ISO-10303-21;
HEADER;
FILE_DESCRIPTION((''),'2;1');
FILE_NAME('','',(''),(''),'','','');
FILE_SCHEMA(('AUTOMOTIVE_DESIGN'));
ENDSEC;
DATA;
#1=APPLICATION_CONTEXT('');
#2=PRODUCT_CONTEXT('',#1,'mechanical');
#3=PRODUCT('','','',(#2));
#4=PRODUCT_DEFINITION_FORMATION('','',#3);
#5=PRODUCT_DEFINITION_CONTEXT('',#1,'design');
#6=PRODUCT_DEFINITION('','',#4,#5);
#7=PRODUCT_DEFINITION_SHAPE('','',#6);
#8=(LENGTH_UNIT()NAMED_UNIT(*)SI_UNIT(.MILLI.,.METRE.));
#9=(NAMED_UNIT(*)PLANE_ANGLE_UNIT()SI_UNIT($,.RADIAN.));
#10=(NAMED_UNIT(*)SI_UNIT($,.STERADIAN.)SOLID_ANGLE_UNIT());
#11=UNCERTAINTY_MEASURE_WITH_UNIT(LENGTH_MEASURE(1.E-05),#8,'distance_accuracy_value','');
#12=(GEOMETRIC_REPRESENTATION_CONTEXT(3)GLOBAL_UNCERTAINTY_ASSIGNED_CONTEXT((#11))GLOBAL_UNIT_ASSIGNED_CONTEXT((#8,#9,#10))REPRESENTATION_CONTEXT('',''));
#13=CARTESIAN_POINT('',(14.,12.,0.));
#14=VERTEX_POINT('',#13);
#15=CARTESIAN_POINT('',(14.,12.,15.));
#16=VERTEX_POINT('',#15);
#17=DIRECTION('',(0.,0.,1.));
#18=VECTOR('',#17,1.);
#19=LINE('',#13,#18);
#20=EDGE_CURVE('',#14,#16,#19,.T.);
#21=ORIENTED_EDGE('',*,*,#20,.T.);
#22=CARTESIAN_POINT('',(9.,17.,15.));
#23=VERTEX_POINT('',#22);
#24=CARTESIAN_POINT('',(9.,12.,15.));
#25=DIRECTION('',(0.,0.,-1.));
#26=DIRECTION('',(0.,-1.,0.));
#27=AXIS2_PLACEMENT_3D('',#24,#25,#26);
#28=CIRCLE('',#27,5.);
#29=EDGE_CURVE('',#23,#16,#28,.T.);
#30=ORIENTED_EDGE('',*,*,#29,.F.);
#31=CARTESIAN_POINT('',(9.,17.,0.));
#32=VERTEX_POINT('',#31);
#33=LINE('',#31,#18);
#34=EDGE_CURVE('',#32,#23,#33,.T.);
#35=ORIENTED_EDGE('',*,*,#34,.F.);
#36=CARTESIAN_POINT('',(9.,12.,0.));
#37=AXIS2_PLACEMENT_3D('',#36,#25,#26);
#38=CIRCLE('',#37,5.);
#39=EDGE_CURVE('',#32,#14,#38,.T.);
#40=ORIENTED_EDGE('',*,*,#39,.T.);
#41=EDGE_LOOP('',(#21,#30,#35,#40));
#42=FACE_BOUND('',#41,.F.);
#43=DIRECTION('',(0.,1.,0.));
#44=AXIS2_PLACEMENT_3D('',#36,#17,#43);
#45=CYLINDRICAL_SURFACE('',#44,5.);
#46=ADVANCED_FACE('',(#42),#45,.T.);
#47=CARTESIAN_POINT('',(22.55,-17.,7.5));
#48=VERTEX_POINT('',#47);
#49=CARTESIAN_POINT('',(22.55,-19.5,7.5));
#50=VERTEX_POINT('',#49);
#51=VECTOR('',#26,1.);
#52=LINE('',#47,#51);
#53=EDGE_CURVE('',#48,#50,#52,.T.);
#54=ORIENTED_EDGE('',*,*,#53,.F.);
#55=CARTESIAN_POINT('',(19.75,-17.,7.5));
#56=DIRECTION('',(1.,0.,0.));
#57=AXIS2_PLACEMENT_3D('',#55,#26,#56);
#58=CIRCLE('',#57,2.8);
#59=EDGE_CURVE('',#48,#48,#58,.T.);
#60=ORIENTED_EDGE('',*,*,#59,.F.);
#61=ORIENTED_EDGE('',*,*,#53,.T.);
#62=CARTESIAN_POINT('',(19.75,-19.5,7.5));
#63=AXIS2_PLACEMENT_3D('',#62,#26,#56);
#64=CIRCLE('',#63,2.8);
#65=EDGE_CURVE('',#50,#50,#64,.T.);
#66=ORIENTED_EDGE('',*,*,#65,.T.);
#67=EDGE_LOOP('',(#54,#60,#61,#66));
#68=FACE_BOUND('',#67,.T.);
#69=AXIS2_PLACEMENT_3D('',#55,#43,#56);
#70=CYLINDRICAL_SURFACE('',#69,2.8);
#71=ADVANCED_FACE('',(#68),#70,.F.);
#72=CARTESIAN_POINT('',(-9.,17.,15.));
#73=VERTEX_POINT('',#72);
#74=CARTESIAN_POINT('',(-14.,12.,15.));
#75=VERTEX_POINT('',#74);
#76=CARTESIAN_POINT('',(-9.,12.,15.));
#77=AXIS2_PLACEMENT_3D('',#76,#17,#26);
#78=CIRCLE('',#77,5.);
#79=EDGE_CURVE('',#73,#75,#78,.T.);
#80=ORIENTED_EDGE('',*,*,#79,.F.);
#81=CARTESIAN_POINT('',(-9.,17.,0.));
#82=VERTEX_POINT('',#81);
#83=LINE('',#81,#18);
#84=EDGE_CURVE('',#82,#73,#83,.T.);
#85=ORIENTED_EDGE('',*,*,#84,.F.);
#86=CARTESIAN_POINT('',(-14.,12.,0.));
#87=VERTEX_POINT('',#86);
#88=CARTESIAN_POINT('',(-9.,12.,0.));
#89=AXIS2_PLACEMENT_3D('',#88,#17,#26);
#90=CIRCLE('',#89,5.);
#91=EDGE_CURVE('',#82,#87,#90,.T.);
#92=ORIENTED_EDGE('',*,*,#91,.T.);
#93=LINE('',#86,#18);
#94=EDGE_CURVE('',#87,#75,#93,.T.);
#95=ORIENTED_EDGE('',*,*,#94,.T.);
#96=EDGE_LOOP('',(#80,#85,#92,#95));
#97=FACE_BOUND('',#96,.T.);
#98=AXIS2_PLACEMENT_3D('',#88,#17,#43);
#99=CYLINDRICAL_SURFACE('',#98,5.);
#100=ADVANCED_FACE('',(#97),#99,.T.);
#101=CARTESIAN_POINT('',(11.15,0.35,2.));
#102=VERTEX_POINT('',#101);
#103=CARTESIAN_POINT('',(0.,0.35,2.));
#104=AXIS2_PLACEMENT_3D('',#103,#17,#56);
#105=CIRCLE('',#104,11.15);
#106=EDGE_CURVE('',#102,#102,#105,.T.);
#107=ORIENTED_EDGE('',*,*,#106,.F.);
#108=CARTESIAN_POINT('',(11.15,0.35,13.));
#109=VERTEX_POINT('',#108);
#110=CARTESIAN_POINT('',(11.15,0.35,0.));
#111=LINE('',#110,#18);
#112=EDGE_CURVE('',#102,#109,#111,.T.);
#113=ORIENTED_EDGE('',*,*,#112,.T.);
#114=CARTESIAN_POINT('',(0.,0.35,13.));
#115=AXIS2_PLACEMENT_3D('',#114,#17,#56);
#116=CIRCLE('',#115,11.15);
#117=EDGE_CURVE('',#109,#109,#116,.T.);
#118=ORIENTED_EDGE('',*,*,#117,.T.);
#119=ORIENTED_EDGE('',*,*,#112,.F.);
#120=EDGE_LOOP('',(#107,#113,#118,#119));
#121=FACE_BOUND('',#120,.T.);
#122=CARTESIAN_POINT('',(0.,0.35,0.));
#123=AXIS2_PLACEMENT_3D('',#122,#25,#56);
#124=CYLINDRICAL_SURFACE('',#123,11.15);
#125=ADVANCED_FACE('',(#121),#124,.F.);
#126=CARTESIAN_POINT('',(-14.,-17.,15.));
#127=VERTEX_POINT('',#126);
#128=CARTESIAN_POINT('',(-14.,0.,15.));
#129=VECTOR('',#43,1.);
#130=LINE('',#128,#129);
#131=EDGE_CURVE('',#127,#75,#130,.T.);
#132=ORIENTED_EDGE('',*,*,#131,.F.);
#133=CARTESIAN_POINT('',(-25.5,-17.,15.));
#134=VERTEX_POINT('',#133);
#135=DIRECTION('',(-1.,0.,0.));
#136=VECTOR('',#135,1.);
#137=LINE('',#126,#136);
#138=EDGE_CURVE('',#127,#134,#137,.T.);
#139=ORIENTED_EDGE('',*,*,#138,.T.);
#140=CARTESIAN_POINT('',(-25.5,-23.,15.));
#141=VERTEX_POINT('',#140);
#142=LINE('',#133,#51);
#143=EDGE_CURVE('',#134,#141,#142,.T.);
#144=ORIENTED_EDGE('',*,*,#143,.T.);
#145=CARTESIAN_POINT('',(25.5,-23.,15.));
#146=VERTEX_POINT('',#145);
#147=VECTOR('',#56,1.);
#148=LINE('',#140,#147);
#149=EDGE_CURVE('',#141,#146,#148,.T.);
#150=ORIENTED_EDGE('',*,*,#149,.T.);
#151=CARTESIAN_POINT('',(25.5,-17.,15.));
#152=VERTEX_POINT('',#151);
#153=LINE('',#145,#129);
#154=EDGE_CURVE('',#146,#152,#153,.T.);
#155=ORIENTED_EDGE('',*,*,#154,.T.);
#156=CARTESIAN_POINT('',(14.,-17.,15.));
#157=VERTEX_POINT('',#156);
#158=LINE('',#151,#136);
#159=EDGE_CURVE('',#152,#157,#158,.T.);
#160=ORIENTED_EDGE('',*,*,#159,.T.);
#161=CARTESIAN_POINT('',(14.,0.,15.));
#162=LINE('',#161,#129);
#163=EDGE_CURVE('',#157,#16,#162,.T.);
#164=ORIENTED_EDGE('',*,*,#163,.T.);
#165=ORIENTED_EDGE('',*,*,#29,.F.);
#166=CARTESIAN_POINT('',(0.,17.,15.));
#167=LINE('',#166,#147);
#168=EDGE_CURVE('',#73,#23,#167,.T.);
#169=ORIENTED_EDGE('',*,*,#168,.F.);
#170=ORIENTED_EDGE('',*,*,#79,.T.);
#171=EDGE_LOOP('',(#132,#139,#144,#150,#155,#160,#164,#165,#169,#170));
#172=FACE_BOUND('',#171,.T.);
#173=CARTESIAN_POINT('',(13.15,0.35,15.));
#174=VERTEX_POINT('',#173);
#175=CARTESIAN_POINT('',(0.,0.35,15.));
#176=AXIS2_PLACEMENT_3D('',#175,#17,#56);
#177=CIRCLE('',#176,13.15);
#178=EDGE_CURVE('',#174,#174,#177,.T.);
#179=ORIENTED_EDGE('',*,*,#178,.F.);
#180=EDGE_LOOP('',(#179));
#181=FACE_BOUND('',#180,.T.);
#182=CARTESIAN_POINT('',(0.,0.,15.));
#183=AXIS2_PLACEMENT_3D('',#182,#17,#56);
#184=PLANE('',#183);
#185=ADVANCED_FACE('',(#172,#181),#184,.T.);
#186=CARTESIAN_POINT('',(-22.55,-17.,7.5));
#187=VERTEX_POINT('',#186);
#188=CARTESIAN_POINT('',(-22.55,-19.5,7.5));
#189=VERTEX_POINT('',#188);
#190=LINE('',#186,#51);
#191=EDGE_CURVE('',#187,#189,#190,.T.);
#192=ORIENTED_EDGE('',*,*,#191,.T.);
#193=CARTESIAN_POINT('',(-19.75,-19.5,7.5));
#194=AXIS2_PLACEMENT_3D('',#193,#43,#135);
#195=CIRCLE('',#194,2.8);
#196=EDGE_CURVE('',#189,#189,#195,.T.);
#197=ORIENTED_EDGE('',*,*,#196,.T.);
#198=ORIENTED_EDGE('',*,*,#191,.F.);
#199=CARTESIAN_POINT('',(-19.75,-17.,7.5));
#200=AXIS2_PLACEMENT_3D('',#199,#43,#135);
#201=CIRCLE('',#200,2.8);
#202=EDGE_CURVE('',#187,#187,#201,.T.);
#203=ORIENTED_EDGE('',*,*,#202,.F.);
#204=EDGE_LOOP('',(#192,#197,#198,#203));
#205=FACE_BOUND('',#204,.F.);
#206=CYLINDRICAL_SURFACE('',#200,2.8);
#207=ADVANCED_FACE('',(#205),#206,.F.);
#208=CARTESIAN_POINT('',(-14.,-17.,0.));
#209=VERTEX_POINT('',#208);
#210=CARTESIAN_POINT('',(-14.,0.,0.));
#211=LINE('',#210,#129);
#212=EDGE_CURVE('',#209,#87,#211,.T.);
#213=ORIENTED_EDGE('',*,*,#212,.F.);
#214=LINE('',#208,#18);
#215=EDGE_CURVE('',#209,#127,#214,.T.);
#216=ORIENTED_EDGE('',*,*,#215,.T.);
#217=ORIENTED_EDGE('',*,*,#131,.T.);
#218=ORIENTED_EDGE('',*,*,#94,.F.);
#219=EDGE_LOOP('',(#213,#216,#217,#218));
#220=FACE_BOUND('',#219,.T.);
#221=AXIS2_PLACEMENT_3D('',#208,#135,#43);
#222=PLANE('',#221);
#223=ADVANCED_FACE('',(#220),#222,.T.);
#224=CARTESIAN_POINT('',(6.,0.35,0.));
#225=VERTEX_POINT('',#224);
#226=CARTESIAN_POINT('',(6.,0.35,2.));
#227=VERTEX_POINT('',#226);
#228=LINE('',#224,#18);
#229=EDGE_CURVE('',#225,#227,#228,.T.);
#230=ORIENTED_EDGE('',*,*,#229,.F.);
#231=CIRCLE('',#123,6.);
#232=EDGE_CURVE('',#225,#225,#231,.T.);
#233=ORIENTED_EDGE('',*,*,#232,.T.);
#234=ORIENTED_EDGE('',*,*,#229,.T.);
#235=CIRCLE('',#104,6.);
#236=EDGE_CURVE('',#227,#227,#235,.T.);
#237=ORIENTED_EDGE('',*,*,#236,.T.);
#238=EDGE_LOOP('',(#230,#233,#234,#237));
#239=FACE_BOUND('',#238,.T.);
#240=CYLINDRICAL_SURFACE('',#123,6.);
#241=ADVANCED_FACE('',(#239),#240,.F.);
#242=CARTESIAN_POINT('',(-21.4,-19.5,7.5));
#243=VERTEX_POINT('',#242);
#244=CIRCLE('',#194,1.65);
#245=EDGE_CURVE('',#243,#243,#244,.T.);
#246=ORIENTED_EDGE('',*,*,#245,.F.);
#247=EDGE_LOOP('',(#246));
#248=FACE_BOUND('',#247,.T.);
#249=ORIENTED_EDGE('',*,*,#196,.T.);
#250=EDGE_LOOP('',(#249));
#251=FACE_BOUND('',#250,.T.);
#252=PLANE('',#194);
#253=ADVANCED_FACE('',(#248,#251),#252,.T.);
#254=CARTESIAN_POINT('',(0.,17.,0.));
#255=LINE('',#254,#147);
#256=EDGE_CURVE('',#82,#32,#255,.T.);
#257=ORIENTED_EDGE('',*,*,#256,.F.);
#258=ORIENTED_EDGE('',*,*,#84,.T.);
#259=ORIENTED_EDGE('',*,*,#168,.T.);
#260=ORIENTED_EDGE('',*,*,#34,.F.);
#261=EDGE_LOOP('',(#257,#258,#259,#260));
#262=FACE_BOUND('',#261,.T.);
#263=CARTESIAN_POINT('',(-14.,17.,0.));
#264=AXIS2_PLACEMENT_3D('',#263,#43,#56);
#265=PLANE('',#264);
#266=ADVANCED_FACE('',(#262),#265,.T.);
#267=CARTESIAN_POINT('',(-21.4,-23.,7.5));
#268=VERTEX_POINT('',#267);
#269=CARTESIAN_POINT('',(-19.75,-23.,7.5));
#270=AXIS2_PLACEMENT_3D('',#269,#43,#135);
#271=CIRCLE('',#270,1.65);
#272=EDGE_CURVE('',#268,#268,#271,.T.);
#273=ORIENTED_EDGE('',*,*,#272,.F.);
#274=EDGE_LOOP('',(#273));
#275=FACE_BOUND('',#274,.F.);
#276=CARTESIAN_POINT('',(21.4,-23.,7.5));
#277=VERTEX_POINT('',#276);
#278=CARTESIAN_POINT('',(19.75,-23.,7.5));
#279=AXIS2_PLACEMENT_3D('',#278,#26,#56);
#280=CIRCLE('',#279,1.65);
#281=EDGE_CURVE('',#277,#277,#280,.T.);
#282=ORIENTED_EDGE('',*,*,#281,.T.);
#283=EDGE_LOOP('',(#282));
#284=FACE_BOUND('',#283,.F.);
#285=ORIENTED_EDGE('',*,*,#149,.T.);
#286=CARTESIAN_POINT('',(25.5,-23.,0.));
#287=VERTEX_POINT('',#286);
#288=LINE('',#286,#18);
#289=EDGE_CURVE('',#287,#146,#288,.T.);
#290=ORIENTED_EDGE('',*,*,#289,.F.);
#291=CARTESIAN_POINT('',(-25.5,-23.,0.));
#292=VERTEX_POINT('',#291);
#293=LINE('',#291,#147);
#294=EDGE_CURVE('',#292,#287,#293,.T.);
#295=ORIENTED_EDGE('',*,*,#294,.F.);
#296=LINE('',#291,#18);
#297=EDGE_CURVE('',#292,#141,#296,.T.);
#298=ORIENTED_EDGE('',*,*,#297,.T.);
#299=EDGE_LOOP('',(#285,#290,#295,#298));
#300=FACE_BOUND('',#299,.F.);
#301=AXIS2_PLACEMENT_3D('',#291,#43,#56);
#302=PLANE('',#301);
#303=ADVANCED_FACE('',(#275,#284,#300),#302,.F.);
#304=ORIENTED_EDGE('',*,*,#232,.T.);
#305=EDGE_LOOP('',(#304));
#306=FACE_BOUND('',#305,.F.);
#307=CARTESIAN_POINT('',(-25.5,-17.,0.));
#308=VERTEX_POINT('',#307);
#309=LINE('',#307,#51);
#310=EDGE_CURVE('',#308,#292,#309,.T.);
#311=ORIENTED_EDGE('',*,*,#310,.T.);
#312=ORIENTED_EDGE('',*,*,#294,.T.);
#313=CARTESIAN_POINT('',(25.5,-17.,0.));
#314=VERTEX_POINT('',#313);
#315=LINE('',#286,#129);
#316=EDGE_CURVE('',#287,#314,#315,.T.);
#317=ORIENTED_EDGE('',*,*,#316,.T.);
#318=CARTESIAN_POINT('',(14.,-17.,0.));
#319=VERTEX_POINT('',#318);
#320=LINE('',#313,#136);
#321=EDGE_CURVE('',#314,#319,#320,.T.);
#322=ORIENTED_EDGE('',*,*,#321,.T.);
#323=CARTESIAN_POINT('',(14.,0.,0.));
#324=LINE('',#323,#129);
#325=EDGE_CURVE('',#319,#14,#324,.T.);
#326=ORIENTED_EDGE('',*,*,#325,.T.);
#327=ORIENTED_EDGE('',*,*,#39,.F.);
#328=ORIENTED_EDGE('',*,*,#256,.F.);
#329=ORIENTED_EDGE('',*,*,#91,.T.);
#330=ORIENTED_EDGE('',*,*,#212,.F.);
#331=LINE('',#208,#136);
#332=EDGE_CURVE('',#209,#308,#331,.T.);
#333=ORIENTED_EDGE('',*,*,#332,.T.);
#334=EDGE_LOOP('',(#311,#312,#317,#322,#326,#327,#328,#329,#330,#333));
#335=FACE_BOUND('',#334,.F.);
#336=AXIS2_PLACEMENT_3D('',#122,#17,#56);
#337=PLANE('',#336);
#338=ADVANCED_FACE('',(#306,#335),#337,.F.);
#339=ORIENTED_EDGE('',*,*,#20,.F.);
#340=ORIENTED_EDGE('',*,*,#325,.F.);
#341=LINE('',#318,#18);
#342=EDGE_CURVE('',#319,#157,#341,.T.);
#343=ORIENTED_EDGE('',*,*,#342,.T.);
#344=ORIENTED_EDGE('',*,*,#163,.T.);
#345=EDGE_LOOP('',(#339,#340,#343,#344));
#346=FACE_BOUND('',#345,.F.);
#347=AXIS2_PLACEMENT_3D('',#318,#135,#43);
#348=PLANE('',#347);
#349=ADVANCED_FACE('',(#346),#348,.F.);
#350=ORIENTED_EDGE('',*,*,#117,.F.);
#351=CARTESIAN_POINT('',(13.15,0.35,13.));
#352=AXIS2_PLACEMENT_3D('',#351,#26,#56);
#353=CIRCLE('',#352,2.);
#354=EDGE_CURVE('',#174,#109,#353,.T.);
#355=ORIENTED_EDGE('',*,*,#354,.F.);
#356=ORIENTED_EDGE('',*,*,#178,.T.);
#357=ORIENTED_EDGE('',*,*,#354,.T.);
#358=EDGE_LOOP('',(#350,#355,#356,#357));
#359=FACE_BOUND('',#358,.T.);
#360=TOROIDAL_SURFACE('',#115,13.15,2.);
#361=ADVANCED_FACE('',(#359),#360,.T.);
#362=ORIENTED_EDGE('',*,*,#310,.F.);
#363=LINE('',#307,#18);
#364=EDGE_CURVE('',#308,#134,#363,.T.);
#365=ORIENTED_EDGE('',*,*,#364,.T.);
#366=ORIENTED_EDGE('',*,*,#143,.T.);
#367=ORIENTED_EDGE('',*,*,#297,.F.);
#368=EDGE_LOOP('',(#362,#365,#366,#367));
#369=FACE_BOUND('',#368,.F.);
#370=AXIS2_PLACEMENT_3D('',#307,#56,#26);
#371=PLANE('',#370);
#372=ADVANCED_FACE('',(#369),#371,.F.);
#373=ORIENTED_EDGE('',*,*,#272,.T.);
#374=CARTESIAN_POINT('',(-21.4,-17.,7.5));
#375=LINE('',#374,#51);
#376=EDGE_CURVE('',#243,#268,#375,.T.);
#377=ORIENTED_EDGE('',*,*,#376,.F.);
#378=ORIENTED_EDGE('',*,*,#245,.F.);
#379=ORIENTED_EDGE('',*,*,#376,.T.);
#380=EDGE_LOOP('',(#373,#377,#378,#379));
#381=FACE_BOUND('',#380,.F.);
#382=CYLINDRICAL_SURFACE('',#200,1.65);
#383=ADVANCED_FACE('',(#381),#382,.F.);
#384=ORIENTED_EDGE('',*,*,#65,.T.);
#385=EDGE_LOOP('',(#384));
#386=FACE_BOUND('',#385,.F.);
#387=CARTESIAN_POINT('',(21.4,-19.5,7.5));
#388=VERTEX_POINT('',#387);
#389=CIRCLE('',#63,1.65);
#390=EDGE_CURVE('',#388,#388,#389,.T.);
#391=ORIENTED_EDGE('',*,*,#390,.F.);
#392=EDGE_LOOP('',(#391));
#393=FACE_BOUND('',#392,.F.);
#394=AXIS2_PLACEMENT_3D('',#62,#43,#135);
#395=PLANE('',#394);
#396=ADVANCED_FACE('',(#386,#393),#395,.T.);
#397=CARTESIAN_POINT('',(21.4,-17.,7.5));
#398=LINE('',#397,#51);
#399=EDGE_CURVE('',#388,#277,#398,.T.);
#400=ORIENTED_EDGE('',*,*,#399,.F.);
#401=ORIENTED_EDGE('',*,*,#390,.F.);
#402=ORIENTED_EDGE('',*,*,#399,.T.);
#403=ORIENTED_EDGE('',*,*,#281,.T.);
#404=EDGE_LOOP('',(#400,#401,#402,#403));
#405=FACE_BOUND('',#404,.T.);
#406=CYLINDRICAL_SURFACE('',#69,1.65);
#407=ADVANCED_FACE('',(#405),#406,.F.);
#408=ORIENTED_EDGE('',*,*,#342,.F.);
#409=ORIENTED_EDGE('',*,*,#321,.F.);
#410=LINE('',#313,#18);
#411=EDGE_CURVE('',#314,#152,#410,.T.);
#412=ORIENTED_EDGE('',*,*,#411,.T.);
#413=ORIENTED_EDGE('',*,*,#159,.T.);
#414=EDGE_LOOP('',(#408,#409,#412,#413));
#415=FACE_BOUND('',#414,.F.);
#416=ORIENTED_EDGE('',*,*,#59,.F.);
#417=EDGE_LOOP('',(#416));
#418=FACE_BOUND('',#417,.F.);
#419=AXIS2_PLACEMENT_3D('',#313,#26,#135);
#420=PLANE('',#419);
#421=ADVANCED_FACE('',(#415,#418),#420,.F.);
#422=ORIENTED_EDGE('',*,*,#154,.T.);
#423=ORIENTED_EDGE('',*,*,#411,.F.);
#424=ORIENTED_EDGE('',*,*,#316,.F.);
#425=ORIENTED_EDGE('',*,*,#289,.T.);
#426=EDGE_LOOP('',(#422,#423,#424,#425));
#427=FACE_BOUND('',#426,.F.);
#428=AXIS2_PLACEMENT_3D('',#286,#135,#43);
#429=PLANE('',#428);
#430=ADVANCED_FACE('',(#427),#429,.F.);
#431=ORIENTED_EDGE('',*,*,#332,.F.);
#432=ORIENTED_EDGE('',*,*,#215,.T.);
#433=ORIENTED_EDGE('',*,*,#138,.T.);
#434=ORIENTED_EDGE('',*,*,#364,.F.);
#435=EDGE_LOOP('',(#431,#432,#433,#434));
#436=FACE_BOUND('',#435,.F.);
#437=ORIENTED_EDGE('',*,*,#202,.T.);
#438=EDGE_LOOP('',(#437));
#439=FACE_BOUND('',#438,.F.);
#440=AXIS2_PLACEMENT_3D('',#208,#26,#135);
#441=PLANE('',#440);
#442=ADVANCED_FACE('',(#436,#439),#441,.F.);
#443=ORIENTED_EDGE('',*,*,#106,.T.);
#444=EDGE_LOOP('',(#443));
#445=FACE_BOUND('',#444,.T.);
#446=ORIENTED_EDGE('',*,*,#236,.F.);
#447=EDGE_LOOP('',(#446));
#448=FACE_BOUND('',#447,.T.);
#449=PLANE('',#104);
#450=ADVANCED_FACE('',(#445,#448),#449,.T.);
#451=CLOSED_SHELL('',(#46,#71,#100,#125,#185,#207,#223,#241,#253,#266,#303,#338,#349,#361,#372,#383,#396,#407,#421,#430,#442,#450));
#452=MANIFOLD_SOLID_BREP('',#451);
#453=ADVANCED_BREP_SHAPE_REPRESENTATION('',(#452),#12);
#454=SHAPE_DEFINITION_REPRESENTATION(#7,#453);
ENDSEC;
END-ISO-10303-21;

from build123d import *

# Parameters (mm, degrees)
F0_W     = 28
F0_H     = 34
F0_R     = 11.15
F1_DEPTH = 15
F0_R_2   = 6
F2_DEPTH = 2
F3_R     = 1.65
F4_DEPTH = 6
F3_R_2   = 2.8
F5_DEPTH = 2.5
F7_R     = 5
F8_R     = 2


with BuildPart() as f1:
    # F0 (on Top) → F1 (new body)
    with BuildSketch(Plane.XY):
        Rectangle(F0_W, F0_H)
        with Locations((0, 0.35)):
            Circle(F0_R, mode=Mode.SUBTRACT)
        Polygon((14, -17), (-14, -17), (-25.5, -17), (-25.5, -23), (25.5, -23), (25.5, -17), align=None)
    extrude(amount=F1_DEPTH)

    # F0 (on Top) → F2 (join)
    with BuildSketch(Plane.XY):
        with Locations((0, 0.35)):
            Circle(F0_R)
        with Locations((0, 0.35)):
            Circle(F0_R_2, mode=Mode.SUBTRACT)
    extrude(amount=F2_DEPTH)

    # F3 (on face) → F4 (cut, through all)
    with BuildSketch(Plane(origin=(0, -17, 0), x_dir=(-1, 0, 0), z_dir=(0, 1, 0))):
        with Locations((19.75, 7.5)):
            Circle(F3_R)
    extrude(amount=-F4_DEPTH, mode=Mode.SUBTRACT)

    # F3 (on face) → F5 (cut)
    with BuildSketch(Plane(origin=(0, -17, 0), x_dir=(-1, 0, 0), z_dir=(0, 1, 0))):
        with Locations((19.75, 7.5)):
            Circle(F3_R_2)
        with Locations((19.75, 7.5)):
            Circle(F3_R, mode=Mode.SUBTRACT)
    extrude(amount=-F5_DEPTH, mode=Mode.SUBTRACT)

    # F6: F1 across plane


with BuildPart() as f1_1:
    add(f1.part)
    add(f1.part.mirror(Plane.YZ), mode=Mode.INTERSECT)

    # F7
    f7_edges = [f1_1.edges().sort_by_distance(p)[0] for p in [
        (-14, 17, 7.5),
        (14, 17, 7.5),
    ]]
    fillet(f7_edges, radius=F7_R)

    # F8
    f8_edges = [f1_1.edges().sort_by_distance(p)[0] for p in [
        (-11.15, 0.35, 15),
    ]]
    fillet(f8_edges, radius=F8_R)


solid = f1_1.part
